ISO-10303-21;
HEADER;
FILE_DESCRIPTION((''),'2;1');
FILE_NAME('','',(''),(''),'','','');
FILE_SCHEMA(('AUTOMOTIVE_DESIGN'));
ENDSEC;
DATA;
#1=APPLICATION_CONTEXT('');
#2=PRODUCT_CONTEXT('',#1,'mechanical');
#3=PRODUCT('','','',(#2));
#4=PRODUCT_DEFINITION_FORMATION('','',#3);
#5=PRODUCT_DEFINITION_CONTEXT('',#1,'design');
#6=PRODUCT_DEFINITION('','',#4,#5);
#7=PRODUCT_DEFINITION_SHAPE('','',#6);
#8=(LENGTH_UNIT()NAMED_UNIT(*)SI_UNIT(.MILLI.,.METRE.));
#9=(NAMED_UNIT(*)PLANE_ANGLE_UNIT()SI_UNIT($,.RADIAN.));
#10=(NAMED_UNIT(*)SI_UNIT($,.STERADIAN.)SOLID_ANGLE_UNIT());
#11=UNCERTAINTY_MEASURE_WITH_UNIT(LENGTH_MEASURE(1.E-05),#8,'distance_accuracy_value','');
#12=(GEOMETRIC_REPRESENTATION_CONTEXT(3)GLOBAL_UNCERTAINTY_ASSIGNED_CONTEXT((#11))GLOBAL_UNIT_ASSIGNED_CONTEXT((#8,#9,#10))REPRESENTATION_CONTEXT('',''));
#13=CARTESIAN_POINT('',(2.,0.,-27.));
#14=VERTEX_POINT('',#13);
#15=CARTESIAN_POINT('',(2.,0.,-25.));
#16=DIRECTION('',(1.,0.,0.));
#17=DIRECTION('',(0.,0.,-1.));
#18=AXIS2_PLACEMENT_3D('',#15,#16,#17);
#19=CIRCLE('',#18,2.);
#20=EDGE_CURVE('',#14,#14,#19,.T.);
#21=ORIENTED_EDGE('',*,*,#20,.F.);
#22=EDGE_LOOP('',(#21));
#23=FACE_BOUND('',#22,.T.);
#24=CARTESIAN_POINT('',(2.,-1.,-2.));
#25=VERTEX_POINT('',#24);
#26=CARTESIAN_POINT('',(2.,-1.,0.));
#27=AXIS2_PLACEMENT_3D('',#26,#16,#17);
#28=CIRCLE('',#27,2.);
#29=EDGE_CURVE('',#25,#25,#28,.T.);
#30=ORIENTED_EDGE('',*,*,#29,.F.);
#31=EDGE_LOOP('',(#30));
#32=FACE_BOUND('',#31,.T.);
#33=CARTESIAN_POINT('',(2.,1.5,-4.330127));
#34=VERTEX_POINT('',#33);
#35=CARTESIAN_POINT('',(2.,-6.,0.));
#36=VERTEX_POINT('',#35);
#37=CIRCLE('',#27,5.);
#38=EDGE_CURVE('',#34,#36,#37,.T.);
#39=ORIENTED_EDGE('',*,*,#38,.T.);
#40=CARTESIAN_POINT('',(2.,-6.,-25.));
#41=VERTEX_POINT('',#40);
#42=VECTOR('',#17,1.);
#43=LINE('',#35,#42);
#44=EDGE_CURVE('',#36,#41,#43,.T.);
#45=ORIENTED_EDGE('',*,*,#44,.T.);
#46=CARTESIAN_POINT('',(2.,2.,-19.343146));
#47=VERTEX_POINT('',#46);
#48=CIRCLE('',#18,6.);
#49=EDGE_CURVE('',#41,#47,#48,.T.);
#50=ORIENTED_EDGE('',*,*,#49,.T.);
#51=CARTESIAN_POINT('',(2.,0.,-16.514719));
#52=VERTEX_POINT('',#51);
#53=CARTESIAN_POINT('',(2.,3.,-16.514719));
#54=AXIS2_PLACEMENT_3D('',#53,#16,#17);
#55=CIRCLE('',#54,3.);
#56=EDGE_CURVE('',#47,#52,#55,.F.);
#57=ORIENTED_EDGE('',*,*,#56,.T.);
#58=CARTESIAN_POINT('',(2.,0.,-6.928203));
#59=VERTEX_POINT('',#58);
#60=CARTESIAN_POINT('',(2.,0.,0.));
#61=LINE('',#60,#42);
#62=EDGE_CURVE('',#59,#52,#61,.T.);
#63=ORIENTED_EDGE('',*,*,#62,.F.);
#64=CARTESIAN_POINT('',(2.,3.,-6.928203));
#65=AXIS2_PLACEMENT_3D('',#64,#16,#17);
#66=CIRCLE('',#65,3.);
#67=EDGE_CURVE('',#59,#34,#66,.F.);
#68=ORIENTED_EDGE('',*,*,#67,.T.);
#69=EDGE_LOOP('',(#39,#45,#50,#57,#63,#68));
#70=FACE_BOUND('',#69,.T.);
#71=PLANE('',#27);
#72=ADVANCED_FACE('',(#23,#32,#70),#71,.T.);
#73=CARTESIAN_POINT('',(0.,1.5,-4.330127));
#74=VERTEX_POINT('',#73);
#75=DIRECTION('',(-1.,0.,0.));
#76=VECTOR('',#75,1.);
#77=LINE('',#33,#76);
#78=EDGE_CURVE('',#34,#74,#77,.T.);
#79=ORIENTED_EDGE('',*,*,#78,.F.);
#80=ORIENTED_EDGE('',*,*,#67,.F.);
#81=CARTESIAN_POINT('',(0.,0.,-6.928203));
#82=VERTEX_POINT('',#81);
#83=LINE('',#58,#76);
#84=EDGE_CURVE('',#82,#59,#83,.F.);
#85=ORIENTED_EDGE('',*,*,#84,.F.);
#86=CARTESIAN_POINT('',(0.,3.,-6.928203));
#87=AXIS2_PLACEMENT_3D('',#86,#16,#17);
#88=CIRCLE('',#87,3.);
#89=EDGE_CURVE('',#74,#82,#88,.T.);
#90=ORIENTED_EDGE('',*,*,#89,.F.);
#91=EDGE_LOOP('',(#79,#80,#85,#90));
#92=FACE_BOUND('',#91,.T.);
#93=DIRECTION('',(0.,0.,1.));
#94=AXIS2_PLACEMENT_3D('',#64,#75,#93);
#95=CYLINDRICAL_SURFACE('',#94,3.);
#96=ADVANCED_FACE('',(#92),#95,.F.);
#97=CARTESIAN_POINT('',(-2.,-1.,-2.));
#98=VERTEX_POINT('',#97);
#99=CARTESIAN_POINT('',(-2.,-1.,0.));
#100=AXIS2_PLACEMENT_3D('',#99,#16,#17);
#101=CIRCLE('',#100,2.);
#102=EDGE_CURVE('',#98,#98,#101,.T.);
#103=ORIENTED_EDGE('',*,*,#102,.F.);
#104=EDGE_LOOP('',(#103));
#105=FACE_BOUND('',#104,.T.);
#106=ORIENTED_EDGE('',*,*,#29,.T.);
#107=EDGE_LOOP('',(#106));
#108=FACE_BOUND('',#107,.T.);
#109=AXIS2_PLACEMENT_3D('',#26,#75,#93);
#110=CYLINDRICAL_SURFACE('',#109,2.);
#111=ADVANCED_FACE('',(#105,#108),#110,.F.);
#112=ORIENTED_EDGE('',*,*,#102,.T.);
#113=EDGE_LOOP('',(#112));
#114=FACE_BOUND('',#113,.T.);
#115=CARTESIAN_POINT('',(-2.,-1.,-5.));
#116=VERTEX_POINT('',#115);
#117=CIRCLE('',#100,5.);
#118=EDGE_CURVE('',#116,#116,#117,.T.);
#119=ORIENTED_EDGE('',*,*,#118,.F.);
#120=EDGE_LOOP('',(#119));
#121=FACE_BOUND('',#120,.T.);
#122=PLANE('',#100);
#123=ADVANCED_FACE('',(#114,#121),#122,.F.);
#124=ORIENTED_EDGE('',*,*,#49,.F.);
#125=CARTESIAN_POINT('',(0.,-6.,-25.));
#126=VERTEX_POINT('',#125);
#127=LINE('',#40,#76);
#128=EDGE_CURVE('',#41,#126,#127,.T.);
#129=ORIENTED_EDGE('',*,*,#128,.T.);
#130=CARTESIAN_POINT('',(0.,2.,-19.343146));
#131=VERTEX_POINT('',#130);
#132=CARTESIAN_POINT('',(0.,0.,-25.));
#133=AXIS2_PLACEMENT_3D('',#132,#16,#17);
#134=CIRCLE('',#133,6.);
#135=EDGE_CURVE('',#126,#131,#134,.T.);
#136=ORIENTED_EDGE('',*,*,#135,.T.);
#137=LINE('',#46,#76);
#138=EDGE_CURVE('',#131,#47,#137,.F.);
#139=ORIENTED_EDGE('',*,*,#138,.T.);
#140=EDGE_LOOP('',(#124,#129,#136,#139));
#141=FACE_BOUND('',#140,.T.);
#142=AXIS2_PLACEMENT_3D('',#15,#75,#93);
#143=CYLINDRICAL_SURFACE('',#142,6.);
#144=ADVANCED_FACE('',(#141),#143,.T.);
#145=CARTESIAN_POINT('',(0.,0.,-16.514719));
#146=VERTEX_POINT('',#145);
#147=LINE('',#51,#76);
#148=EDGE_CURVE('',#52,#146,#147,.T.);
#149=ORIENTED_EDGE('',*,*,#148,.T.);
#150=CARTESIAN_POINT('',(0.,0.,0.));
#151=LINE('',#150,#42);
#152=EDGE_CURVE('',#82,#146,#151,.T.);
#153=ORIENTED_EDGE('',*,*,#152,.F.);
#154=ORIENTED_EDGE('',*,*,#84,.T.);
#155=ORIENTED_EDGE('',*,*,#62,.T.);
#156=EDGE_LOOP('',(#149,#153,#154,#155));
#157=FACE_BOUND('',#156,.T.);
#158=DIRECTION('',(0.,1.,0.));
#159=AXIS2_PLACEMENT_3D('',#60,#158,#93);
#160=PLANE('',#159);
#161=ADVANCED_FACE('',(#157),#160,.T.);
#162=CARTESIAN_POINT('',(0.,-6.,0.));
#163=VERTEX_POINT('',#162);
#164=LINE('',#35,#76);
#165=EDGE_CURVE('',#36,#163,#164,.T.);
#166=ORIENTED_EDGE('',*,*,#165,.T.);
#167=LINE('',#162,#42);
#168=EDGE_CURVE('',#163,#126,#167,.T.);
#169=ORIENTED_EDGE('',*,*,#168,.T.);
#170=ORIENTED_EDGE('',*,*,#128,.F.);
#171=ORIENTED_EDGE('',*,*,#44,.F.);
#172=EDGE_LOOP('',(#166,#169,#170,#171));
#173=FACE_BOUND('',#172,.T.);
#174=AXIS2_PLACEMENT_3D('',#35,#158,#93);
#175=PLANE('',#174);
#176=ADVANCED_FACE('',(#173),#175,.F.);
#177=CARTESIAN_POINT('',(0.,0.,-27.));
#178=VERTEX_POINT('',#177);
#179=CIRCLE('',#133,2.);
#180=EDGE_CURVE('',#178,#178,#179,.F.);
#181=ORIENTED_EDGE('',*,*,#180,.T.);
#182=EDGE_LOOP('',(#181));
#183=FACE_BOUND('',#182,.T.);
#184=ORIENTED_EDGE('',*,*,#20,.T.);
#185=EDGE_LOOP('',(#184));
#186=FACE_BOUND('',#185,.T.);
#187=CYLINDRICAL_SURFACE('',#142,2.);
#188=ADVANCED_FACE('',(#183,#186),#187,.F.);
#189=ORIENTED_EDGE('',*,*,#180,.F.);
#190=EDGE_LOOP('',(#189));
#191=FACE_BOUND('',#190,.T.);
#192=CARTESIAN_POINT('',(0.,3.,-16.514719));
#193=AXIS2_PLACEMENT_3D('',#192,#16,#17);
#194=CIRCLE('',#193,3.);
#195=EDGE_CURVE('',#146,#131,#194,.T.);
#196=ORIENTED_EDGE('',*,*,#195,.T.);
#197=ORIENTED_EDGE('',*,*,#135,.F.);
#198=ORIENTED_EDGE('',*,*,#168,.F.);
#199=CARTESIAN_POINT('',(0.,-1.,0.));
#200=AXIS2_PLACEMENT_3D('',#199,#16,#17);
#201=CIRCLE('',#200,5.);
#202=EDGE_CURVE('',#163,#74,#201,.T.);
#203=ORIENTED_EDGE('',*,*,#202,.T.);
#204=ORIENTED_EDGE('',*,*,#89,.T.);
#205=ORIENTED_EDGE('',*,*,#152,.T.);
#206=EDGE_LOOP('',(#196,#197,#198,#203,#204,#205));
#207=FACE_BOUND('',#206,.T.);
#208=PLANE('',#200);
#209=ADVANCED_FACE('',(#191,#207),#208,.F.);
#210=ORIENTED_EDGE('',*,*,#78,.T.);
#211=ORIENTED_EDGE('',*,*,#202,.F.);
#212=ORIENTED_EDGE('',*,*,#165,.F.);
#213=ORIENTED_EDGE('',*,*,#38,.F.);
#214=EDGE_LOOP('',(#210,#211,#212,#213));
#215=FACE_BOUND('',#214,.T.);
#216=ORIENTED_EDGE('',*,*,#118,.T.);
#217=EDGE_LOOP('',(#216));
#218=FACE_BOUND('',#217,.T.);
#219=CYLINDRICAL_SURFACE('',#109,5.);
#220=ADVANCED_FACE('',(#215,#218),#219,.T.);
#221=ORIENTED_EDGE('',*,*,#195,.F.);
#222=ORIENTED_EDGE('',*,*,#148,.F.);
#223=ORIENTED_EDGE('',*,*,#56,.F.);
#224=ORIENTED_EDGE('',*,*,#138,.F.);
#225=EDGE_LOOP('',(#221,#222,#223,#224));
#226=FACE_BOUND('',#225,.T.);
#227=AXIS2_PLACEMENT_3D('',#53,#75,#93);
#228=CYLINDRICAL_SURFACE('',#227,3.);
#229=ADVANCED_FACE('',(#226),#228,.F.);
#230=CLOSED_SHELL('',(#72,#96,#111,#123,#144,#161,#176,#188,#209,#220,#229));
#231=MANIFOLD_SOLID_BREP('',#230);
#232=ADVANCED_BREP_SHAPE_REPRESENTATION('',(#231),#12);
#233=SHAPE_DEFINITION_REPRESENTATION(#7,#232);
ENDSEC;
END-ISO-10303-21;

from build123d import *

# Parameters (mm, degrees)
SKETCH_1_R               = 5
SKETCH_1_R_2             = 6
SKETCH_1_W               = 25
SKETCH_1_H               = 6
EXTRUDE_1_DEPTH          = 2
EXTRUDE_START            = -2
SKETCH_1_5_R             = 5
EXTRUDE_3_DEPTH          = 2
CUT_EXTRUDE_2_DEPTH      = 32.638584039
CUT_EXTRUDE_2_DEPTH_BACK = 32.638584039
SKETCH_1_4_R             = 2
FILLET_1_R               = 3


with BuildPart() as part:
    # 草图1 → 凸台-拉伸1 (new body)
    with BuildSketch(Plane(origin=(0, 0, 0), x_dir=(0, 0, -1), z_dir=(1, 0, 0))):
        with Locations((0, -1)):
            Circle(SKETCH_1_R)
        with Locations((25, 0)):
            Circle(SKETCH_1_R_2)
        with Locations((12.5, -3)):
            Rectangle(SKETCH_1_W, SKETCH_1_H)
    extrude(amount=EXTRUDE_1_DEPTH)

    # 草图1<5> → 凸台-拉伸3 (add)
    with BuildSketch(Plane(origin=(0, 0, 0), x_dir=(0, 0, -1), z_dir=(1, 0, 0)).offset(EXTRUDE_START)):
        with Locations((0, -1)):
            Circle(SKETCH_1_5_R)
    extrude(amount=EXTRUDE_3_DEPTH)

    # 草图1<4> → 切除-拉伸2 (cut, two sides: drawn at the far end of the back side and taken through both)
    with BuildSketch(Plane(origin=(0, 0, 0), x_dir=(0, 0, -1), z_dir=(1, 0, 0)).offset(-CUT_EXTRUDE_2_DEPTH_BACK)):
        with Locations((0, -1)):
            Circle(SKETCH_1_4_R)
        with Locations((25, 0)):
            Circle(SKETCH_1_4_R)
    extrude(amount=CUT_EXTRUDE_2_DEPTH + CUT_EXTRUDE_2_DEPTH_BACK, mode=Mode.SUBTRACT)

    # 圆角1
    fillet_1_edges = [part.edges().sort_by_distance(p)[0] for p in [
        (1, 0, -19),
        (1, 0, -4.898979486),
    ]]
    fillet(fillet_1_edges, radius=FILLET_1_R)


solid = part.part
